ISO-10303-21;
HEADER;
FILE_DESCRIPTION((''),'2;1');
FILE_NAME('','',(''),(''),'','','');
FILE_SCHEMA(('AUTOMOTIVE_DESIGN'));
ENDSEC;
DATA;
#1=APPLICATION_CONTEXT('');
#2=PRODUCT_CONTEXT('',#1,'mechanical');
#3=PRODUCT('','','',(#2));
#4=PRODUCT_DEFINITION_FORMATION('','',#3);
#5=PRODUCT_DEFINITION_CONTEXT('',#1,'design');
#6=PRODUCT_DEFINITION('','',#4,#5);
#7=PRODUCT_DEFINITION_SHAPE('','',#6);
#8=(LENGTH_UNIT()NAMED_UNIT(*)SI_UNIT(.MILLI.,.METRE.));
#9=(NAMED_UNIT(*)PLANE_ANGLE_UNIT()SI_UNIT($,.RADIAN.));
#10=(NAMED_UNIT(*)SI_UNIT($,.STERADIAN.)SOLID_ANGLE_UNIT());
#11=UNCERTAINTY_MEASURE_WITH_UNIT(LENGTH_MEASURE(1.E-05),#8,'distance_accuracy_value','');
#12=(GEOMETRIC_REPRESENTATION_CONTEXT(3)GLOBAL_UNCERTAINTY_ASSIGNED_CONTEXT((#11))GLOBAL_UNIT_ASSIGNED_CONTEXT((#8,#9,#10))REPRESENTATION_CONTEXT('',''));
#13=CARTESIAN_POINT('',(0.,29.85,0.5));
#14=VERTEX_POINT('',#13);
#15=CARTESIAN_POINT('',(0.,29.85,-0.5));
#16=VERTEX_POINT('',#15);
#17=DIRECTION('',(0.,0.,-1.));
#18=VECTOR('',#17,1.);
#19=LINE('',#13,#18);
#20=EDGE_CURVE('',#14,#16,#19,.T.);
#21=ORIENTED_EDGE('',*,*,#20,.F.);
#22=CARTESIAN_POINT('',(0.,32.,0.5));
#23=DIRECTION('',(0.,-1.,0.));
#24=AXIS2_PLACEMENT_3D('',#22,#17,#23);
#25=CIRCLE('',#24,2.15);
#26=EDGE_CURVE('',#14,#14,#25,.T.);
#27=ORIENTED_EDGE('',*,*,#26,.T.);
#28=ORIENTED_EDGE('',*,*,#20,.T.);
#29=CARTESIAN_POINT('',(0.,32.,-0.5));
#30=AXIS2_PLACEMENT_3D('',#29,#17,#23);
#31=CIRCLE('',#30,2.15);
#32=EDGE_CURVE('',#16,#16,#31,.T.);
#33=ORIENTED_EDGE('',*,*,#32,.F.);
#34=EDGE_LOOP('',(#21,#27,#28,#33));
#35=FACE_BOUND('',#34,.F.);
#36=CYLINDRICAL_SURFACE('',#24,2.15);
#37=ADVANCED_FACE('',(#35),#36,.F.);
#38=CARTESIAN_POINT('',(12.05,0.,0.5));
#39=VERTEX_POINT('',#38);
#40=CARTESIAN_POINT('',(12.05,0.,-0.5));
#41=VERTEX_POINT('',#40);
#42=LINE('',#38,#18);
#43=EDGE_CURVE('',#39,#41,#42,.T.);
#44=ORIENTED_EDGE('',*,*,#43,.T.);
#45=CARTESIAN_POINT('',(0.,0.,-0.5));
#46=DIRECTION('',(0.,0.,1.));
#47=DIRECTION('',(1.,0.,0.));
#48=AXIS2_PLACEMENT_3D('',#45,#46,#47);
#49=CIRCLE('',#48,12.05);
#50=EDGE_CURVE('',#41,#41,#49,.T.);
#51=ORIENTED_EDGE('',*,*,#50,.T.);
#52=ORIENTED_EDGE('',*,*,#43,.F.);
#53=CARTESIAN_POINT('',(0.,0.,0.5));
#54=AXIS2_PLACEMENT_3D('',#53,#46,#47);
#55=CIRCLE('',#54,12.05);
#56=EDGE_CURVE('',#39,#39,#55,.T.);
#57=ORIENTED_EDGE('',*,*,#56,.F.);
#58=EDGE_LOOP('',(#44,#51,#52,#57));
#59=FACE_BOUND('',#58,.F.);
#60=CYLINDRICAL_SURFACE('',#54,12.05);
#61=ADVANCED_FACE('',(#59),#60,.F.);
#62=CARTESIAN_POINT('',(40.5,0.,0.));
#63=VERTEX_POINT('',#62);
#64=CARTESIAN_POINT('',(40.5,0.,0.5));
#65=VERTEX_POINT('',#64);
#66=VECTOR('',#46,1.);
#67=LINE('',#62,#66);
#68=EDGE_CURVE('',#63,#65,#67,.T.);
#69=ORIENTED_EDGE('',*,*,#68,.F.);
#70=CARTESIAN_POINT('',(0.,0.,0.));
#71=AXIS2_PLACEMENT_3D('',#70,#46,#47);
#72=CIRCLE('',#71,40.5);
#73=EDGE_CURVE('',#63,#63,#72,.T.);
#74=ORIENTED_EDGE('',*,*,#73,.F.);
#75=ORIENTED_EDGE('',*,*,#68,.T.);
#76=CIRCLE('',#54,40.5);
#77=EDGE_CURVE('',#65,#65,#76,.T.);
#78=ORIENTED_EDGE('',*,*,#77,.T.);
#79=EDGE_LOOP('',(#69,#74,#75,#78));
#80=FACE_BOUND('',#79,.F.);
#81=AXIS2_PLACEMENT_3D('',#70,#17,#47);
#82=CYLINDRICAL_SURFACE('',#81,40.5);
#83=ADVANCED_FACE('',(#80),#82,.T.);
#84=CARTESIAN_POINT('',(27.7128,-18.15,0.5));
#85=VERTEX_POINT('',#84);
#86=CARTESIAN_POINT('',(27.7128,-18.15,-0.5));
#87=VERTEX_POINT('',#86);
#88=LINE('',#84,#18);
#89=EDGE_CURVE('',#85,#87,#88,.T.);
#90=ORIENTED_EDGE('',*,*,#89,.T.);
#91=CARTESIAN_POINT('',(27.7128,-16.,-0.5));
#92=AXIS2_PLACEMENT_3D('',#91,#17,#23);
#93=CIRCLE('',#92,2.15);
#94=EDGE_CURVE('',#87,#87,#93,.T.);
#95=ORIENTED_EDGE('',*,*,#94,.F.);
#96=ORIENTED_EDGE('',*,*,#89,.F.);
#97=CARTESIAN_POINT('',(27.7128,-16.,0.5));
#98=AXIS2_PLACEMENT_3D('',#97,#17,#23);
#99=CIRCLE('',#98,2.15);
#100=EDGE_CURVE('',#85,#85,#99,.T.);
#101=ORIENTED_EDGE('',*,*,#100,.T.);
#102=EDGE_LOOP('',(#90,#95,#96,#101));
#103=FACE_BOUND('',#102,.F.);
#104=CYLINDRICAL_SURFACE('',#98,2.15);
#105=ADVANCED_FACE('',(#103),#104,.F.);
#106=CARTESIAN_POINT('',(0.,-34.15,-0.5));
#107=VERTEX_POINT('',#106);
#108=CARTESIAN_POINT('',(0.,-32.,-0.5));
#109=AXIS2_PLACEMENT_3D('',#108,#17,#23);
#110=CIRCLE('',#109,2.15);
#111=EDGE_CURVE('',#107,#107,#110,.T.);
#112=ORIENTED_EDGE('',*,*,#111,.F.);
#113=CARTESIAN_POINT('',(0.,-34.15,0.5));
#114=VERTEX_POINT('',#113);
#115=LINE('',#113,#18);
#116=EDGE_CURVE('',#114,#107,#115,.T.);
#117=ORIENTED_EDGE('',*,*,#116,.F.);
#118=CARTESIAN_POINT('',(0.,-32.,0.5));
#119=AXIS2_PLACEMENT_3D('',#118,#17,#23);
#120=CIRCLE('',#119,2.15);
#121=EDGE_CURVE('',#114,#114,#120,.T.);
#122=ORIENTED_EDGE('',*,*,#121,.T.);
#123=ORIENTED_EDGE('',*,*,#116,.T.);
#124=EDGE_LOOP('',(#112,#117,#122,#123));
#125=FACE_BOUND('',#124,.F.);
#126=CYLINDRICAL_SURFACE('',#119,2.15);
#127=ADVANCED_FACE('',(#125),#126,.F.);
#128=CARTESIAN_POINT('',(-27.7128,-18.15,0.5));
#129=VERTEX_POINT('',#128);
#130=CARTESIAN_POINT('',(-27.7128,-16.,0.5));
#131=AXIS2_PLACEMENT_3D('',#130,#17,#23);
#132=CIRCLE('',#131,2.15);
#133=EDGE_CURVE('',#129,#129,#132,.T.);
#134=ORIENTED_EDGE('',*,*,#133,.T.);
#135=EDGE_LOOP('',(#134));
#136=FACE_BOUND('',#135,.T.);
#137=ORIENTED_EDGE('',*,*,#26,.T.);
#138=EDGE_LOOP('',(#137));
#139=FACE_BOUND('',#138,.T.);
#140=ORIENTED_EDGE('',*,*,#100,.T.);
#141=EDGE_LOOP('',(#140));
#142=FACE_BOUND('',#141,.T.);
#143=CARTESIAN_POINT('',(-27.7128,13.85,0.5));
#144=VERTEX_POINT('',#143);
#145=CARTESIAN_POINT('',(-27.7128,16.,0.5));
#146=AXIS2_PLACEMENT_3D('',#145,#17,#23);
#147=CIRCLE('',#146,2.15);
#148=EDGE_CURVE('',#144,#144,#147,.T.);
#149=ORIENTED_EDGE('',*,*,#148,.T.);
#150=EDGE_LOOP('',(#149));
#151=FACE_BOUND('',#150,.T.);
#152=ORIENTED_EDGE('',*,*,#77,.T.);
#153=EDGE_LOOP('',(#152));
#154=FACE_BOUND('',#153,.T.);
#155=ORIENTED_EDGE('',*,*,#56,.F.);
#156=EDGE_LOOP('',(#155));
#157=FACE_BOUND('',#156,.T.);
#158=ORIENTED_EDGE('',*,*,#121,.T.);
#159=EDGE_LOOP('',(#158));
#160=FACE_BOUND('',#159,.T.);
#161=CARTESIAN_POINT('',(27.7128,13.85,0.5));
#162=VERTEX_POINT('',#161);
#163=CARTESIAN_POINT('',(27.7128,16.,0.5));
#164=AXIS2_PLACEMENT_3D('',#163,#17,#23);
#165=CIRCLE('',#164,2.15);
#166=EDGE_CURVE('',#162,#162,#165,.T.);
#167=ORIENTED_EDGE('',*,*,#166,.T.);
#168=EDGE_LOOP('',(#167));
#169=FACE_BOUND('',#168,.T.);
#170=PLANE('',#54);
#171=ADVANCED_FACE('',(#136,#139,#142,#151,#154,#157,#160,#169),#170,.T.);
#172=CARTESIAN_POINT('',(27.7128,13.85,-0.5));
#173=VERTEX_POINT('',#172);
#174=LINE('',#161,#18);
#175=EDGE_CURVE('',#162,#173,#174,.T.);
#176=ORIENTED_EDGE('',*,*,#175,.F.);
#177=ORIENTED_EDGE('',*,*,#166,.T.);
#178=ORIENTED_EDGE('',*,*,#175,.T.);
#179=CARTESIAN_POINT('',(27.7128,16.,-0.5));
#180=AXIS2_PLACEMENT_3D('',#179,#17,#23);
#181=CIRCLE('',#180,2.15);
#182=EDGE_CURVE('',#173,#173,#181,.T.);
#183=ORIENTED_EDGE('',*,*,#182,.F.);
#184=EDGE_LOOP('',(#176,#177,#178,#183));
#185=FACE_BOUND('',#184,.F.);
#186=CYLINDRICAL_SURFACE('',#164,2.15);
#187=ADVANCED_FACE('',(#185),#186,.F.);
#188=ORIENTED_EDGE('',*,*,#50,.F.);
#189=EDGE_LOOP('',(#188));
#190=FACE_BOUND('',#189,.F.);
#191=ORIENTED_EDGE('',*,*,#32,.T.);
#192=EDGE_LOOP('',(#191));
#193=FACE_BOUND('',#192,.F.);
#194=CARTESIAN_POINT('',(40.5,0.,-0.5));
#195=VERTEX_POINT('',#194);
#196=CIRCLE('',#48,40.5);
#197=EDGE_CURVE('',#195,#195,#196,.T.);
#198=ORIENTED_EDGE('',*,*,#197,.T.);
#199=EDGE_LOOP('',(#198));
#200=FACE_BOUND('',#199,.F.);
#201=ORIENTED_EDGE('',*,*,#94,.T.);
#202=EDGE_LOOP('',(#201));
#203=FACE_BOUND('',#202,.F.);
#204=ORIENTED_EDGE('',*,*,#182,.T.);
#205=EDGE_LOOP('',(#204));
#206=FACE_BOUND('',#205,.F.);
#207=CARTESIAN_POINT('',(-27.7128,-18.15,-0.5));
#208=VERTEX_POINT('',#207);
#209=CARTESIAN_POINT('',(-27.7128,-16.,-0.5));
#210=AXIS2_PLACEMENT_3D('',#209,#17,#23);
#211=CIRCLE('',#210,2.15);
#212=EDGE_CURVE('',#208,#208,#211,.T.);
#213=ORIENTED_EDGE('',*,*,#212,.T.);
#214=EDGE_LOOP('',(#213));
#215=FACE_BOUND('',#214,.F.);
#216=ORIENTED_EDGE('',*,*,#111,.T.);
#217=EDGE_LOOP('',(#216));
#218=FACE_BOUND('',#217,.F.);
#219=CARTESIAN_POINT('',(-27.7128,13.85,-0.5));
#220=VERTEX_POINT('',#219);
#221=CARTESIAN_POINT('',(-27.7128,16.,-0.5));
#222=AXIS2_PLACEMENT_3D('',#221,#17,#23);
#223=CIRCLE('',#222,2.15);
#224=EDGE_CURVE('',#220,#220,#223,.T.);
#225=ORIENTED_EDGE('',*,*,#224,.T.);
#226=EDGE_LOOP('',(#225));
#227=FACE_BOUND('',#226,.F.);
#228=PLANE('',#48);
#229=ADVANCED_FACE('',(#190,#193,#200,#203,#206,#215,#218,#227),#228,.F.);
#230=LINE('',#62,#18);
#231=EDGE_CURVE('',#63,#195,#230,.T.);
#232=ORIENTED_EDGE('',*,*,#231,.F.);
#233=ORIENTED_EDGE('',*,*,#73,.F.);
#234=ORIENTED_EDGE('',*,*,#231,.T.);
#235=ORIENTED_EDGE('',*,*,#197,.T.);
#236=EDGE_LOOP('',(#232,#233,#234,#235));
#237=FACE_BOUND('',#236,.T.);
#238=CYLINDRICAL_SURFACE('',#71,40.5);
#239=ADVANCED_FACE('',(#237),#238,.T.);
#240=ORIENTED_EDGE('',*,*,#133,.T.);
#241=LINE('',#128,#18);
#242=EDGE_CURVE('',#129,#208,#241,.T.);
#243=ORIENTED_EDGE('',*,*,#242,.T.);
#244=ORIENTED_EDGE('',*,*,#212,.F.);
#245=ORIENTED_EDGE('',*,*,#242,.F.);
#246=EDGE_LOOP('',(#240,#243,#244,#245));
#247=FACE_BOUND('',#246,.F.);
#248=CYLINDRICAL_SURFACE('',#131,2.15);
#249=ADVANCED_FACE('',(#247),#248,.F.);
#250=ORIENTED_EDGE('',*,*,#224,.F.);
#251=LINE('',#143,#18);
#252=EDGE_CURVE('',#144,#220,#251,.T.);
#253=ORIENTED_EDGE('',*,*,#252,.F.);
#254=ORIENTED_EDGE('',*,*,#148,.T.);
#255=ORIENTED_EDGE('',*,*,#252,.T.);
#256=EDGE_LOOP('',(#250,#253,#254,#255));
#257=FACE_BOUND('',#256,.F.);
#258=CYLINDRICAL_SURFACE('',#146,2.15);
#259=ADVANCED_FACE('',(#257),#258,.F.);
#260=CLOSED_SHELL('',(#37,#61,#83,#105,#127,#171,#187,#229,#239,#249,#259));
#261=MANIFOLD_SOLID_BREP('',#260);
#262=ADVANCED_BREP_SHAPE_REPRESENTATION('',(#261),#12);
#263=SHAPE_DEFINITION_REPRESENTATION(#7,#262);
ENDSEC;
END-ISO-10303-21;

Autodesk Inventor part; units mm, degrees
ref_plane "YZ Plane" through (0, 0, 0) normal (1, 0, 0) x (0, 1, 0)
ref_plane "XZ Plane" through (0, 0, 0) normal (0, 1, 0) x (-1, 0, 0)
ref_plane "XY Plane" through (0, 0, 0) normal (0, 0, 1) x (1, 0, 0)
sketch "スケッチ1" plane through (0, 0, 0) normal (0, 0, 1) x (1, 0, 0)
  circle A0 centre (0, 0) radius 40.5
  dimension "d0" = 81
extrude "プレート1" add sketch "スケッチ1" along normal mid plane 1
sketch "スケッチ2" plane through (0, 0, 0.5) normal (0, 0, 1) x (1, 0, 0)
  circle A0 centre (0, 0) radius 12.05
  dimension "d2" = 24.1
extrude "押し出し1" cut sketch "スケッチ2" against normal blind 10
sketch "スケッチ3" plane through (0, 0, 0.5) normal (0, 0, 1) x (1, 0, 0)
  circle A0 centre (0, 0) radius 32
  point P0 (0, 32)
  point P1 (-27.7128, 16)
  point P2 (-27.7128, -16)
  point P3 (0, -32)
  point P4 (27.7128, -16)
  point P5 (27.7128, 16)
  dimension "d5" = 64
  dimension "d8" = 360
hole "穴1" at (0, 32, 0.5) at (-27.7128, 16, 0.5) at (-27.7128, -16, 0.5) at (0, -32, 0.5) at (27.7128, -16, 0.5) at (27.7128, 16, 0.5) direction (0, 0, -1) diameter 4.3 end through all clearance for "Flat Head Machine Screw" size "M4" standard "Ansi Metric M Profile"
equation "\"d15\" = Thickness"
equation "\"d1\" = Thickness"
equation "\"BendRadius\" = Thickness"
equation "\"BendReliefWidth\" = Thickness"
equation "\"BendReliefDepth\" = 0.5 * Thickness"
equation "\"CornerReliefSize\" = 4 * Thickness"
equation "\"MinimumRemnant\" = 2 * Thickness"
equation "\"TransitionRadius\" = BendRadius"
equation "\"JacobiRadiusSize\" = BendRadius"
equation "\"GapSize\" = Thickness"
equation "\"Thickness\" = 1"
properties part number "unit-plate1" material "CFRP"
